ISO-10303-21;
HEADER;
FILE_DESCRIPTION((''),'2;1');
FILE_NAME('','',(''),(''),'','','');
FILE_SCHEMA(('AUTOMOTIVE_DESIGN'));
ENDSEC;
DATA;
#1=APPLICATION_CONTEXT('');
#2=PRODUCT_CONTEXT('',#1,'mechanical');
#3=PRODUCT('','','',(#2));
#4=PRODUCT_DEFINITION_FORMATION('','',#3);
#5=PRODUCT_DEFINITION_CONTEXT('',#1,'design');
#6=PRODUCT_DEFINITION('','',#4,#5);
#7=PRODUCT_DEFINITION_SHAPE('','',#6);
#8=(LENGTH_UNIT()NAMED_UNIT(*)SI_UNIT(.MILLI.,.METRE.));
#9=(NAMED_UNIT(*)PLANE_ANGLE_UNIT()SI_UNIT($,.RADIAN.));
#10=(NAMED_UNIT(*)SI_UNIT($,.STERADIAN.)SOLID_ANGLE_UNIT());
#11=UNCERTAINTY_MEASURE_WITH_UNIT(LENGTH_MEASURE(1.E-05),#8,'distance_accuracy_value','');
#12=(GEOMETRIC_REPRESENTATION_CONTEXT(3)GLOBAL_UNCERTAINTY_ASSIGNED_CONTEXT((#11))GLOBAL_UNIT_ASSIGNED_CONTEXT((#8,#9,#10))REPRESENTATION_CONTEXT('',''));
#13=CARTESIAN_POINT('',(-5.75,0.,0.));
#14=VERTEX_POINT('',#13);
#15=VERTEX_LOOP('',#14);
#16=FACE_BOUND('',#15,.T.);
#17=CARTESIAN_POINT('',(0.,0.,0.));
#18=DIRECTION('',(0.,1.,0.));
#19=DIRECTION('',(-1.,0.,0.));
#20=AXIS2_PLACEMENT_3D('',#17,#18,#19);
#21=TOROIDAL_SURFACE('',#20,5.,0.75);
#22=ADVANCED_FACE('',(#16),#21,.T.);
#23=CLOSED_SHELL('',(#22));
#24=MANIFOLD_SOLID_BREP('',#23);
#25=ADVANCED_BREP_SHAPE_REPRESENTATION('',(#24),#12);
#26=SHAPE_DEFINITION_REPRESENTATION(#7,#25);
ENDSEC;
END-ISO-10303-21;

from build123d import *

# Parameters (mm, degrees)
CROQUIS2_R = 0.75


with BuildPart() as part:
    # Croquis2 → Revolución1 (revolve)
    with BuildSketch(Plane.XY, mode=Mode.PRIVATE) as revoluci_n1_sk:
        with Locations((5, 0)):
            Circle(CROQUIS2_R)
    revolve(revoluci_n1_sk.sketch.rotate(Axis((0, 1, 0), (0, -1, 0)), 180), axis=Axis((0, 1, 0), (0, -1, 0)))


solid = part.part
